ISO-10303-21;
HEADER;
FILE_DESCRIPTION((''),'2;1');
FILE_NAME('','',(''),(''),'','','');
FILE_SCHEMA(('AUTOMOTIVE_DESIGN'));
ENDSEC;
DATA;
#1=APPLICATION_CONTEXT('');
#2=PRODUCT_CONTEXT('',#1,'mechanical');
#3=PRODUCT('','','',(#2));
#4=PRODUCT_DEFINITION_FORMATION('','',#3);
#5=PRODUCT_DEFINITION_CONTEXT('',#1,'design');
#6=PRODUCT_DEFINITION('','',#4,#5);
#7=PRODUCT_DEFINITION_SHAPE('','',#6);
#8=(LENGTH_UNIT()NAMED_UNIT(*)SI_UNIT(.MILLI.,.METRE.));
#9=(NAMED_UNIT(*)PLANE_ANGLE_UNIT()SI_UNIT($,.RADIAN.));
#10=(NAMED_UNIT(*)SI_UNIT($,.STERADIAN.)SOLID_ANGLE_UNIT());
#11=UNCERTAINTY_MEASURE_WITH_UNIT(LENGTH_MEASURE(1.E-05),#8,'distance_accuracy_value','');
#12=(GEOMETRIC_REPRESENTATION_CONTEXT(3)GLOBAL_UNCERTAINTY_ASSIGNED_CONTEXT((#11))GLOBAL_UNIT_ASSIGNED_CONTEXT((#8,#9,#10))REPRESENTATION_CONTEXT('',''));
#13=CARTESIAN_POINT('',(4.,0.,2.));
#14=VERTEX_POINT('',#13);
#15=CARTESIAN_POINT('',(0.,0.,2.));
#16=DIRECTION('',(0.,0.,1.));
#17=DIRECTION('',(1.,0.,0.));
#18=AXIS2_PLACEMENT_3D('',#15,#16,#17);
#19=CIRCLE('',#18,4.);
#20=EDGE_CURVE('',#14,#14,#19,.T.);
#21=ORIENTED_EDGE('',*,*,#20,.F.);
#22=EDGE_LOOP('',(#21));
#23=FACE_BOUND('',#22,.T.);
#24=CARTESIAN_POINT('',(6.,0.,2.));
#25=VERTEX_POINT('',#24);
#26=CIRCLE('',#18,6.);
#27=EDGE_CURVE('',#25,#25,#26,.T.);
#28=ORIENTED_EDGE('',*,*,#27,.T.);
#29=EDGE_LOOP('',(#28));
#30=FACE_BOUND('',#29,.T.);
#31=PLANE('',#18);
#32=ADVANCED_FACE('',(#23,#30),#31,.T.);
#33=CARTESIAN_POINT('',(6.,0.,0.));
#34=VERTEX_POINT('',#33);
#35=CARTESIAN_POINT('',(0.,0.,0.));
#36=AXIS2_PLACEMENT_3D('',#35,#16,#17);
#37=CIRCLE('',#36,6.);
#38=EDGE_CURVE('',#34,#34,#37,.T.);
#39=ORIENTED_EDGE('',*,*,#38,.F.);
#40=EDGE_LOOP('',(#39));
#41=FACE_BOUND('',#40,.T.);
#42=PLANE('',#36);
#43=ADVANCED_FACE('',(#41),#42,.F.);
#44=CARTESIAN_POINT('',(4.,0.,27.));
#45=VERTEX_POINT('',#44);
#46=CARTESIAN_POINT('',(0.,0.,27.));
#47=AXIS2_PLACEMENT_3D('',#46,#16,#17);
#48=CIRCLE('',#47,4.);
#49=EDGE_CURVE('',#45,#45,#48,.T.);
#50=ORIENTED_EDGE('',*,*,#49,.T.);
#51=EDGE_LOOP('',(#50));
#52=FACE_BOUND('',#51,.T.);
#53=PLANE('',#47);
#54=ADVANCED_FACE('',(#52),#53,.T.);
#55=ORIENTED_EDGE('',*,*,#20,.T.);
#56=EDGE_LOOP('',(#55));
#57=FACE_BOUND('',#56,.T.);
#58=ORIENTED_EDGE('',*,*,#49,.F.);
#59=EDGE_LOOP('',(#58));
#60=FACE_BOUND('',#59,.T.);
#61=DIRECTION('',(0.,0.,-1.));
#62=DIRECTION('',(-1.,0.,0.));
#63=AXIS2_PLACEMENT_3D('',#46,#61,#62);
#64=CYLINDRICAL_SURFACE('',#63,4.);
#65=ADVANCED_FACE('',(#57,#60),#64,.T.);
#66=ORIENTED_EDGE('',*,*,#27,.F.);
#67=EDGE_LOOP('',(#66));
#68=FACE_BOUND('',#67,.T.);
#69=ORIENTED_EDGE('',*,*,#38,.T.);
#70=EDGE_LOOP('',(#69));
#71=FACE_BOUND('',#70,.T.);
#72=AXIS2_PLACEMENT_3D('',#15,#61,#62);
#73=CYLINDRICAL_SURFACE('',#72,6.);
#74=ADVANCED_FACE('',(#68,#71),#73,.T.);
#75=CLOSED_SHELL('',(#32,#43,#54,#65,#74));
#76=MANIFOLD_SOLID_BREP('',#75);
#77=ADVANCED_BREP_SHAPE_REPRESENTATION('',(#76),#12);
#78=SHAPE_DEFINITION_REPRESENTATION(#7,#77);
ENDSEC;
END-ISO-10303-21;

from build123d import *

# Parameters (mm, degrees)
SKETCH_1_R      = 6
EXTRUDE_1_DEPTH = 2
SKETCH_2_R      = 4
EXTRUDE_2_DEPTH = 25


with BuildPart() as part:
    # 草图1 → 凸台-拉伸1 (new body)
    with BuildSketch(Plane.XY):
        Circle(SKETCH_1_R)
    extrude(amount=EXTRUDE_1_DEPTH)

    # 草图2 → 凸台-拉伸2 (add)
    with BuildSketch(Plane.XY.offset(2)):
        Circle(SKETCH_2_R)
    extrude(amount=EXTRUDE_2_DEPTH)


solid = part.part
